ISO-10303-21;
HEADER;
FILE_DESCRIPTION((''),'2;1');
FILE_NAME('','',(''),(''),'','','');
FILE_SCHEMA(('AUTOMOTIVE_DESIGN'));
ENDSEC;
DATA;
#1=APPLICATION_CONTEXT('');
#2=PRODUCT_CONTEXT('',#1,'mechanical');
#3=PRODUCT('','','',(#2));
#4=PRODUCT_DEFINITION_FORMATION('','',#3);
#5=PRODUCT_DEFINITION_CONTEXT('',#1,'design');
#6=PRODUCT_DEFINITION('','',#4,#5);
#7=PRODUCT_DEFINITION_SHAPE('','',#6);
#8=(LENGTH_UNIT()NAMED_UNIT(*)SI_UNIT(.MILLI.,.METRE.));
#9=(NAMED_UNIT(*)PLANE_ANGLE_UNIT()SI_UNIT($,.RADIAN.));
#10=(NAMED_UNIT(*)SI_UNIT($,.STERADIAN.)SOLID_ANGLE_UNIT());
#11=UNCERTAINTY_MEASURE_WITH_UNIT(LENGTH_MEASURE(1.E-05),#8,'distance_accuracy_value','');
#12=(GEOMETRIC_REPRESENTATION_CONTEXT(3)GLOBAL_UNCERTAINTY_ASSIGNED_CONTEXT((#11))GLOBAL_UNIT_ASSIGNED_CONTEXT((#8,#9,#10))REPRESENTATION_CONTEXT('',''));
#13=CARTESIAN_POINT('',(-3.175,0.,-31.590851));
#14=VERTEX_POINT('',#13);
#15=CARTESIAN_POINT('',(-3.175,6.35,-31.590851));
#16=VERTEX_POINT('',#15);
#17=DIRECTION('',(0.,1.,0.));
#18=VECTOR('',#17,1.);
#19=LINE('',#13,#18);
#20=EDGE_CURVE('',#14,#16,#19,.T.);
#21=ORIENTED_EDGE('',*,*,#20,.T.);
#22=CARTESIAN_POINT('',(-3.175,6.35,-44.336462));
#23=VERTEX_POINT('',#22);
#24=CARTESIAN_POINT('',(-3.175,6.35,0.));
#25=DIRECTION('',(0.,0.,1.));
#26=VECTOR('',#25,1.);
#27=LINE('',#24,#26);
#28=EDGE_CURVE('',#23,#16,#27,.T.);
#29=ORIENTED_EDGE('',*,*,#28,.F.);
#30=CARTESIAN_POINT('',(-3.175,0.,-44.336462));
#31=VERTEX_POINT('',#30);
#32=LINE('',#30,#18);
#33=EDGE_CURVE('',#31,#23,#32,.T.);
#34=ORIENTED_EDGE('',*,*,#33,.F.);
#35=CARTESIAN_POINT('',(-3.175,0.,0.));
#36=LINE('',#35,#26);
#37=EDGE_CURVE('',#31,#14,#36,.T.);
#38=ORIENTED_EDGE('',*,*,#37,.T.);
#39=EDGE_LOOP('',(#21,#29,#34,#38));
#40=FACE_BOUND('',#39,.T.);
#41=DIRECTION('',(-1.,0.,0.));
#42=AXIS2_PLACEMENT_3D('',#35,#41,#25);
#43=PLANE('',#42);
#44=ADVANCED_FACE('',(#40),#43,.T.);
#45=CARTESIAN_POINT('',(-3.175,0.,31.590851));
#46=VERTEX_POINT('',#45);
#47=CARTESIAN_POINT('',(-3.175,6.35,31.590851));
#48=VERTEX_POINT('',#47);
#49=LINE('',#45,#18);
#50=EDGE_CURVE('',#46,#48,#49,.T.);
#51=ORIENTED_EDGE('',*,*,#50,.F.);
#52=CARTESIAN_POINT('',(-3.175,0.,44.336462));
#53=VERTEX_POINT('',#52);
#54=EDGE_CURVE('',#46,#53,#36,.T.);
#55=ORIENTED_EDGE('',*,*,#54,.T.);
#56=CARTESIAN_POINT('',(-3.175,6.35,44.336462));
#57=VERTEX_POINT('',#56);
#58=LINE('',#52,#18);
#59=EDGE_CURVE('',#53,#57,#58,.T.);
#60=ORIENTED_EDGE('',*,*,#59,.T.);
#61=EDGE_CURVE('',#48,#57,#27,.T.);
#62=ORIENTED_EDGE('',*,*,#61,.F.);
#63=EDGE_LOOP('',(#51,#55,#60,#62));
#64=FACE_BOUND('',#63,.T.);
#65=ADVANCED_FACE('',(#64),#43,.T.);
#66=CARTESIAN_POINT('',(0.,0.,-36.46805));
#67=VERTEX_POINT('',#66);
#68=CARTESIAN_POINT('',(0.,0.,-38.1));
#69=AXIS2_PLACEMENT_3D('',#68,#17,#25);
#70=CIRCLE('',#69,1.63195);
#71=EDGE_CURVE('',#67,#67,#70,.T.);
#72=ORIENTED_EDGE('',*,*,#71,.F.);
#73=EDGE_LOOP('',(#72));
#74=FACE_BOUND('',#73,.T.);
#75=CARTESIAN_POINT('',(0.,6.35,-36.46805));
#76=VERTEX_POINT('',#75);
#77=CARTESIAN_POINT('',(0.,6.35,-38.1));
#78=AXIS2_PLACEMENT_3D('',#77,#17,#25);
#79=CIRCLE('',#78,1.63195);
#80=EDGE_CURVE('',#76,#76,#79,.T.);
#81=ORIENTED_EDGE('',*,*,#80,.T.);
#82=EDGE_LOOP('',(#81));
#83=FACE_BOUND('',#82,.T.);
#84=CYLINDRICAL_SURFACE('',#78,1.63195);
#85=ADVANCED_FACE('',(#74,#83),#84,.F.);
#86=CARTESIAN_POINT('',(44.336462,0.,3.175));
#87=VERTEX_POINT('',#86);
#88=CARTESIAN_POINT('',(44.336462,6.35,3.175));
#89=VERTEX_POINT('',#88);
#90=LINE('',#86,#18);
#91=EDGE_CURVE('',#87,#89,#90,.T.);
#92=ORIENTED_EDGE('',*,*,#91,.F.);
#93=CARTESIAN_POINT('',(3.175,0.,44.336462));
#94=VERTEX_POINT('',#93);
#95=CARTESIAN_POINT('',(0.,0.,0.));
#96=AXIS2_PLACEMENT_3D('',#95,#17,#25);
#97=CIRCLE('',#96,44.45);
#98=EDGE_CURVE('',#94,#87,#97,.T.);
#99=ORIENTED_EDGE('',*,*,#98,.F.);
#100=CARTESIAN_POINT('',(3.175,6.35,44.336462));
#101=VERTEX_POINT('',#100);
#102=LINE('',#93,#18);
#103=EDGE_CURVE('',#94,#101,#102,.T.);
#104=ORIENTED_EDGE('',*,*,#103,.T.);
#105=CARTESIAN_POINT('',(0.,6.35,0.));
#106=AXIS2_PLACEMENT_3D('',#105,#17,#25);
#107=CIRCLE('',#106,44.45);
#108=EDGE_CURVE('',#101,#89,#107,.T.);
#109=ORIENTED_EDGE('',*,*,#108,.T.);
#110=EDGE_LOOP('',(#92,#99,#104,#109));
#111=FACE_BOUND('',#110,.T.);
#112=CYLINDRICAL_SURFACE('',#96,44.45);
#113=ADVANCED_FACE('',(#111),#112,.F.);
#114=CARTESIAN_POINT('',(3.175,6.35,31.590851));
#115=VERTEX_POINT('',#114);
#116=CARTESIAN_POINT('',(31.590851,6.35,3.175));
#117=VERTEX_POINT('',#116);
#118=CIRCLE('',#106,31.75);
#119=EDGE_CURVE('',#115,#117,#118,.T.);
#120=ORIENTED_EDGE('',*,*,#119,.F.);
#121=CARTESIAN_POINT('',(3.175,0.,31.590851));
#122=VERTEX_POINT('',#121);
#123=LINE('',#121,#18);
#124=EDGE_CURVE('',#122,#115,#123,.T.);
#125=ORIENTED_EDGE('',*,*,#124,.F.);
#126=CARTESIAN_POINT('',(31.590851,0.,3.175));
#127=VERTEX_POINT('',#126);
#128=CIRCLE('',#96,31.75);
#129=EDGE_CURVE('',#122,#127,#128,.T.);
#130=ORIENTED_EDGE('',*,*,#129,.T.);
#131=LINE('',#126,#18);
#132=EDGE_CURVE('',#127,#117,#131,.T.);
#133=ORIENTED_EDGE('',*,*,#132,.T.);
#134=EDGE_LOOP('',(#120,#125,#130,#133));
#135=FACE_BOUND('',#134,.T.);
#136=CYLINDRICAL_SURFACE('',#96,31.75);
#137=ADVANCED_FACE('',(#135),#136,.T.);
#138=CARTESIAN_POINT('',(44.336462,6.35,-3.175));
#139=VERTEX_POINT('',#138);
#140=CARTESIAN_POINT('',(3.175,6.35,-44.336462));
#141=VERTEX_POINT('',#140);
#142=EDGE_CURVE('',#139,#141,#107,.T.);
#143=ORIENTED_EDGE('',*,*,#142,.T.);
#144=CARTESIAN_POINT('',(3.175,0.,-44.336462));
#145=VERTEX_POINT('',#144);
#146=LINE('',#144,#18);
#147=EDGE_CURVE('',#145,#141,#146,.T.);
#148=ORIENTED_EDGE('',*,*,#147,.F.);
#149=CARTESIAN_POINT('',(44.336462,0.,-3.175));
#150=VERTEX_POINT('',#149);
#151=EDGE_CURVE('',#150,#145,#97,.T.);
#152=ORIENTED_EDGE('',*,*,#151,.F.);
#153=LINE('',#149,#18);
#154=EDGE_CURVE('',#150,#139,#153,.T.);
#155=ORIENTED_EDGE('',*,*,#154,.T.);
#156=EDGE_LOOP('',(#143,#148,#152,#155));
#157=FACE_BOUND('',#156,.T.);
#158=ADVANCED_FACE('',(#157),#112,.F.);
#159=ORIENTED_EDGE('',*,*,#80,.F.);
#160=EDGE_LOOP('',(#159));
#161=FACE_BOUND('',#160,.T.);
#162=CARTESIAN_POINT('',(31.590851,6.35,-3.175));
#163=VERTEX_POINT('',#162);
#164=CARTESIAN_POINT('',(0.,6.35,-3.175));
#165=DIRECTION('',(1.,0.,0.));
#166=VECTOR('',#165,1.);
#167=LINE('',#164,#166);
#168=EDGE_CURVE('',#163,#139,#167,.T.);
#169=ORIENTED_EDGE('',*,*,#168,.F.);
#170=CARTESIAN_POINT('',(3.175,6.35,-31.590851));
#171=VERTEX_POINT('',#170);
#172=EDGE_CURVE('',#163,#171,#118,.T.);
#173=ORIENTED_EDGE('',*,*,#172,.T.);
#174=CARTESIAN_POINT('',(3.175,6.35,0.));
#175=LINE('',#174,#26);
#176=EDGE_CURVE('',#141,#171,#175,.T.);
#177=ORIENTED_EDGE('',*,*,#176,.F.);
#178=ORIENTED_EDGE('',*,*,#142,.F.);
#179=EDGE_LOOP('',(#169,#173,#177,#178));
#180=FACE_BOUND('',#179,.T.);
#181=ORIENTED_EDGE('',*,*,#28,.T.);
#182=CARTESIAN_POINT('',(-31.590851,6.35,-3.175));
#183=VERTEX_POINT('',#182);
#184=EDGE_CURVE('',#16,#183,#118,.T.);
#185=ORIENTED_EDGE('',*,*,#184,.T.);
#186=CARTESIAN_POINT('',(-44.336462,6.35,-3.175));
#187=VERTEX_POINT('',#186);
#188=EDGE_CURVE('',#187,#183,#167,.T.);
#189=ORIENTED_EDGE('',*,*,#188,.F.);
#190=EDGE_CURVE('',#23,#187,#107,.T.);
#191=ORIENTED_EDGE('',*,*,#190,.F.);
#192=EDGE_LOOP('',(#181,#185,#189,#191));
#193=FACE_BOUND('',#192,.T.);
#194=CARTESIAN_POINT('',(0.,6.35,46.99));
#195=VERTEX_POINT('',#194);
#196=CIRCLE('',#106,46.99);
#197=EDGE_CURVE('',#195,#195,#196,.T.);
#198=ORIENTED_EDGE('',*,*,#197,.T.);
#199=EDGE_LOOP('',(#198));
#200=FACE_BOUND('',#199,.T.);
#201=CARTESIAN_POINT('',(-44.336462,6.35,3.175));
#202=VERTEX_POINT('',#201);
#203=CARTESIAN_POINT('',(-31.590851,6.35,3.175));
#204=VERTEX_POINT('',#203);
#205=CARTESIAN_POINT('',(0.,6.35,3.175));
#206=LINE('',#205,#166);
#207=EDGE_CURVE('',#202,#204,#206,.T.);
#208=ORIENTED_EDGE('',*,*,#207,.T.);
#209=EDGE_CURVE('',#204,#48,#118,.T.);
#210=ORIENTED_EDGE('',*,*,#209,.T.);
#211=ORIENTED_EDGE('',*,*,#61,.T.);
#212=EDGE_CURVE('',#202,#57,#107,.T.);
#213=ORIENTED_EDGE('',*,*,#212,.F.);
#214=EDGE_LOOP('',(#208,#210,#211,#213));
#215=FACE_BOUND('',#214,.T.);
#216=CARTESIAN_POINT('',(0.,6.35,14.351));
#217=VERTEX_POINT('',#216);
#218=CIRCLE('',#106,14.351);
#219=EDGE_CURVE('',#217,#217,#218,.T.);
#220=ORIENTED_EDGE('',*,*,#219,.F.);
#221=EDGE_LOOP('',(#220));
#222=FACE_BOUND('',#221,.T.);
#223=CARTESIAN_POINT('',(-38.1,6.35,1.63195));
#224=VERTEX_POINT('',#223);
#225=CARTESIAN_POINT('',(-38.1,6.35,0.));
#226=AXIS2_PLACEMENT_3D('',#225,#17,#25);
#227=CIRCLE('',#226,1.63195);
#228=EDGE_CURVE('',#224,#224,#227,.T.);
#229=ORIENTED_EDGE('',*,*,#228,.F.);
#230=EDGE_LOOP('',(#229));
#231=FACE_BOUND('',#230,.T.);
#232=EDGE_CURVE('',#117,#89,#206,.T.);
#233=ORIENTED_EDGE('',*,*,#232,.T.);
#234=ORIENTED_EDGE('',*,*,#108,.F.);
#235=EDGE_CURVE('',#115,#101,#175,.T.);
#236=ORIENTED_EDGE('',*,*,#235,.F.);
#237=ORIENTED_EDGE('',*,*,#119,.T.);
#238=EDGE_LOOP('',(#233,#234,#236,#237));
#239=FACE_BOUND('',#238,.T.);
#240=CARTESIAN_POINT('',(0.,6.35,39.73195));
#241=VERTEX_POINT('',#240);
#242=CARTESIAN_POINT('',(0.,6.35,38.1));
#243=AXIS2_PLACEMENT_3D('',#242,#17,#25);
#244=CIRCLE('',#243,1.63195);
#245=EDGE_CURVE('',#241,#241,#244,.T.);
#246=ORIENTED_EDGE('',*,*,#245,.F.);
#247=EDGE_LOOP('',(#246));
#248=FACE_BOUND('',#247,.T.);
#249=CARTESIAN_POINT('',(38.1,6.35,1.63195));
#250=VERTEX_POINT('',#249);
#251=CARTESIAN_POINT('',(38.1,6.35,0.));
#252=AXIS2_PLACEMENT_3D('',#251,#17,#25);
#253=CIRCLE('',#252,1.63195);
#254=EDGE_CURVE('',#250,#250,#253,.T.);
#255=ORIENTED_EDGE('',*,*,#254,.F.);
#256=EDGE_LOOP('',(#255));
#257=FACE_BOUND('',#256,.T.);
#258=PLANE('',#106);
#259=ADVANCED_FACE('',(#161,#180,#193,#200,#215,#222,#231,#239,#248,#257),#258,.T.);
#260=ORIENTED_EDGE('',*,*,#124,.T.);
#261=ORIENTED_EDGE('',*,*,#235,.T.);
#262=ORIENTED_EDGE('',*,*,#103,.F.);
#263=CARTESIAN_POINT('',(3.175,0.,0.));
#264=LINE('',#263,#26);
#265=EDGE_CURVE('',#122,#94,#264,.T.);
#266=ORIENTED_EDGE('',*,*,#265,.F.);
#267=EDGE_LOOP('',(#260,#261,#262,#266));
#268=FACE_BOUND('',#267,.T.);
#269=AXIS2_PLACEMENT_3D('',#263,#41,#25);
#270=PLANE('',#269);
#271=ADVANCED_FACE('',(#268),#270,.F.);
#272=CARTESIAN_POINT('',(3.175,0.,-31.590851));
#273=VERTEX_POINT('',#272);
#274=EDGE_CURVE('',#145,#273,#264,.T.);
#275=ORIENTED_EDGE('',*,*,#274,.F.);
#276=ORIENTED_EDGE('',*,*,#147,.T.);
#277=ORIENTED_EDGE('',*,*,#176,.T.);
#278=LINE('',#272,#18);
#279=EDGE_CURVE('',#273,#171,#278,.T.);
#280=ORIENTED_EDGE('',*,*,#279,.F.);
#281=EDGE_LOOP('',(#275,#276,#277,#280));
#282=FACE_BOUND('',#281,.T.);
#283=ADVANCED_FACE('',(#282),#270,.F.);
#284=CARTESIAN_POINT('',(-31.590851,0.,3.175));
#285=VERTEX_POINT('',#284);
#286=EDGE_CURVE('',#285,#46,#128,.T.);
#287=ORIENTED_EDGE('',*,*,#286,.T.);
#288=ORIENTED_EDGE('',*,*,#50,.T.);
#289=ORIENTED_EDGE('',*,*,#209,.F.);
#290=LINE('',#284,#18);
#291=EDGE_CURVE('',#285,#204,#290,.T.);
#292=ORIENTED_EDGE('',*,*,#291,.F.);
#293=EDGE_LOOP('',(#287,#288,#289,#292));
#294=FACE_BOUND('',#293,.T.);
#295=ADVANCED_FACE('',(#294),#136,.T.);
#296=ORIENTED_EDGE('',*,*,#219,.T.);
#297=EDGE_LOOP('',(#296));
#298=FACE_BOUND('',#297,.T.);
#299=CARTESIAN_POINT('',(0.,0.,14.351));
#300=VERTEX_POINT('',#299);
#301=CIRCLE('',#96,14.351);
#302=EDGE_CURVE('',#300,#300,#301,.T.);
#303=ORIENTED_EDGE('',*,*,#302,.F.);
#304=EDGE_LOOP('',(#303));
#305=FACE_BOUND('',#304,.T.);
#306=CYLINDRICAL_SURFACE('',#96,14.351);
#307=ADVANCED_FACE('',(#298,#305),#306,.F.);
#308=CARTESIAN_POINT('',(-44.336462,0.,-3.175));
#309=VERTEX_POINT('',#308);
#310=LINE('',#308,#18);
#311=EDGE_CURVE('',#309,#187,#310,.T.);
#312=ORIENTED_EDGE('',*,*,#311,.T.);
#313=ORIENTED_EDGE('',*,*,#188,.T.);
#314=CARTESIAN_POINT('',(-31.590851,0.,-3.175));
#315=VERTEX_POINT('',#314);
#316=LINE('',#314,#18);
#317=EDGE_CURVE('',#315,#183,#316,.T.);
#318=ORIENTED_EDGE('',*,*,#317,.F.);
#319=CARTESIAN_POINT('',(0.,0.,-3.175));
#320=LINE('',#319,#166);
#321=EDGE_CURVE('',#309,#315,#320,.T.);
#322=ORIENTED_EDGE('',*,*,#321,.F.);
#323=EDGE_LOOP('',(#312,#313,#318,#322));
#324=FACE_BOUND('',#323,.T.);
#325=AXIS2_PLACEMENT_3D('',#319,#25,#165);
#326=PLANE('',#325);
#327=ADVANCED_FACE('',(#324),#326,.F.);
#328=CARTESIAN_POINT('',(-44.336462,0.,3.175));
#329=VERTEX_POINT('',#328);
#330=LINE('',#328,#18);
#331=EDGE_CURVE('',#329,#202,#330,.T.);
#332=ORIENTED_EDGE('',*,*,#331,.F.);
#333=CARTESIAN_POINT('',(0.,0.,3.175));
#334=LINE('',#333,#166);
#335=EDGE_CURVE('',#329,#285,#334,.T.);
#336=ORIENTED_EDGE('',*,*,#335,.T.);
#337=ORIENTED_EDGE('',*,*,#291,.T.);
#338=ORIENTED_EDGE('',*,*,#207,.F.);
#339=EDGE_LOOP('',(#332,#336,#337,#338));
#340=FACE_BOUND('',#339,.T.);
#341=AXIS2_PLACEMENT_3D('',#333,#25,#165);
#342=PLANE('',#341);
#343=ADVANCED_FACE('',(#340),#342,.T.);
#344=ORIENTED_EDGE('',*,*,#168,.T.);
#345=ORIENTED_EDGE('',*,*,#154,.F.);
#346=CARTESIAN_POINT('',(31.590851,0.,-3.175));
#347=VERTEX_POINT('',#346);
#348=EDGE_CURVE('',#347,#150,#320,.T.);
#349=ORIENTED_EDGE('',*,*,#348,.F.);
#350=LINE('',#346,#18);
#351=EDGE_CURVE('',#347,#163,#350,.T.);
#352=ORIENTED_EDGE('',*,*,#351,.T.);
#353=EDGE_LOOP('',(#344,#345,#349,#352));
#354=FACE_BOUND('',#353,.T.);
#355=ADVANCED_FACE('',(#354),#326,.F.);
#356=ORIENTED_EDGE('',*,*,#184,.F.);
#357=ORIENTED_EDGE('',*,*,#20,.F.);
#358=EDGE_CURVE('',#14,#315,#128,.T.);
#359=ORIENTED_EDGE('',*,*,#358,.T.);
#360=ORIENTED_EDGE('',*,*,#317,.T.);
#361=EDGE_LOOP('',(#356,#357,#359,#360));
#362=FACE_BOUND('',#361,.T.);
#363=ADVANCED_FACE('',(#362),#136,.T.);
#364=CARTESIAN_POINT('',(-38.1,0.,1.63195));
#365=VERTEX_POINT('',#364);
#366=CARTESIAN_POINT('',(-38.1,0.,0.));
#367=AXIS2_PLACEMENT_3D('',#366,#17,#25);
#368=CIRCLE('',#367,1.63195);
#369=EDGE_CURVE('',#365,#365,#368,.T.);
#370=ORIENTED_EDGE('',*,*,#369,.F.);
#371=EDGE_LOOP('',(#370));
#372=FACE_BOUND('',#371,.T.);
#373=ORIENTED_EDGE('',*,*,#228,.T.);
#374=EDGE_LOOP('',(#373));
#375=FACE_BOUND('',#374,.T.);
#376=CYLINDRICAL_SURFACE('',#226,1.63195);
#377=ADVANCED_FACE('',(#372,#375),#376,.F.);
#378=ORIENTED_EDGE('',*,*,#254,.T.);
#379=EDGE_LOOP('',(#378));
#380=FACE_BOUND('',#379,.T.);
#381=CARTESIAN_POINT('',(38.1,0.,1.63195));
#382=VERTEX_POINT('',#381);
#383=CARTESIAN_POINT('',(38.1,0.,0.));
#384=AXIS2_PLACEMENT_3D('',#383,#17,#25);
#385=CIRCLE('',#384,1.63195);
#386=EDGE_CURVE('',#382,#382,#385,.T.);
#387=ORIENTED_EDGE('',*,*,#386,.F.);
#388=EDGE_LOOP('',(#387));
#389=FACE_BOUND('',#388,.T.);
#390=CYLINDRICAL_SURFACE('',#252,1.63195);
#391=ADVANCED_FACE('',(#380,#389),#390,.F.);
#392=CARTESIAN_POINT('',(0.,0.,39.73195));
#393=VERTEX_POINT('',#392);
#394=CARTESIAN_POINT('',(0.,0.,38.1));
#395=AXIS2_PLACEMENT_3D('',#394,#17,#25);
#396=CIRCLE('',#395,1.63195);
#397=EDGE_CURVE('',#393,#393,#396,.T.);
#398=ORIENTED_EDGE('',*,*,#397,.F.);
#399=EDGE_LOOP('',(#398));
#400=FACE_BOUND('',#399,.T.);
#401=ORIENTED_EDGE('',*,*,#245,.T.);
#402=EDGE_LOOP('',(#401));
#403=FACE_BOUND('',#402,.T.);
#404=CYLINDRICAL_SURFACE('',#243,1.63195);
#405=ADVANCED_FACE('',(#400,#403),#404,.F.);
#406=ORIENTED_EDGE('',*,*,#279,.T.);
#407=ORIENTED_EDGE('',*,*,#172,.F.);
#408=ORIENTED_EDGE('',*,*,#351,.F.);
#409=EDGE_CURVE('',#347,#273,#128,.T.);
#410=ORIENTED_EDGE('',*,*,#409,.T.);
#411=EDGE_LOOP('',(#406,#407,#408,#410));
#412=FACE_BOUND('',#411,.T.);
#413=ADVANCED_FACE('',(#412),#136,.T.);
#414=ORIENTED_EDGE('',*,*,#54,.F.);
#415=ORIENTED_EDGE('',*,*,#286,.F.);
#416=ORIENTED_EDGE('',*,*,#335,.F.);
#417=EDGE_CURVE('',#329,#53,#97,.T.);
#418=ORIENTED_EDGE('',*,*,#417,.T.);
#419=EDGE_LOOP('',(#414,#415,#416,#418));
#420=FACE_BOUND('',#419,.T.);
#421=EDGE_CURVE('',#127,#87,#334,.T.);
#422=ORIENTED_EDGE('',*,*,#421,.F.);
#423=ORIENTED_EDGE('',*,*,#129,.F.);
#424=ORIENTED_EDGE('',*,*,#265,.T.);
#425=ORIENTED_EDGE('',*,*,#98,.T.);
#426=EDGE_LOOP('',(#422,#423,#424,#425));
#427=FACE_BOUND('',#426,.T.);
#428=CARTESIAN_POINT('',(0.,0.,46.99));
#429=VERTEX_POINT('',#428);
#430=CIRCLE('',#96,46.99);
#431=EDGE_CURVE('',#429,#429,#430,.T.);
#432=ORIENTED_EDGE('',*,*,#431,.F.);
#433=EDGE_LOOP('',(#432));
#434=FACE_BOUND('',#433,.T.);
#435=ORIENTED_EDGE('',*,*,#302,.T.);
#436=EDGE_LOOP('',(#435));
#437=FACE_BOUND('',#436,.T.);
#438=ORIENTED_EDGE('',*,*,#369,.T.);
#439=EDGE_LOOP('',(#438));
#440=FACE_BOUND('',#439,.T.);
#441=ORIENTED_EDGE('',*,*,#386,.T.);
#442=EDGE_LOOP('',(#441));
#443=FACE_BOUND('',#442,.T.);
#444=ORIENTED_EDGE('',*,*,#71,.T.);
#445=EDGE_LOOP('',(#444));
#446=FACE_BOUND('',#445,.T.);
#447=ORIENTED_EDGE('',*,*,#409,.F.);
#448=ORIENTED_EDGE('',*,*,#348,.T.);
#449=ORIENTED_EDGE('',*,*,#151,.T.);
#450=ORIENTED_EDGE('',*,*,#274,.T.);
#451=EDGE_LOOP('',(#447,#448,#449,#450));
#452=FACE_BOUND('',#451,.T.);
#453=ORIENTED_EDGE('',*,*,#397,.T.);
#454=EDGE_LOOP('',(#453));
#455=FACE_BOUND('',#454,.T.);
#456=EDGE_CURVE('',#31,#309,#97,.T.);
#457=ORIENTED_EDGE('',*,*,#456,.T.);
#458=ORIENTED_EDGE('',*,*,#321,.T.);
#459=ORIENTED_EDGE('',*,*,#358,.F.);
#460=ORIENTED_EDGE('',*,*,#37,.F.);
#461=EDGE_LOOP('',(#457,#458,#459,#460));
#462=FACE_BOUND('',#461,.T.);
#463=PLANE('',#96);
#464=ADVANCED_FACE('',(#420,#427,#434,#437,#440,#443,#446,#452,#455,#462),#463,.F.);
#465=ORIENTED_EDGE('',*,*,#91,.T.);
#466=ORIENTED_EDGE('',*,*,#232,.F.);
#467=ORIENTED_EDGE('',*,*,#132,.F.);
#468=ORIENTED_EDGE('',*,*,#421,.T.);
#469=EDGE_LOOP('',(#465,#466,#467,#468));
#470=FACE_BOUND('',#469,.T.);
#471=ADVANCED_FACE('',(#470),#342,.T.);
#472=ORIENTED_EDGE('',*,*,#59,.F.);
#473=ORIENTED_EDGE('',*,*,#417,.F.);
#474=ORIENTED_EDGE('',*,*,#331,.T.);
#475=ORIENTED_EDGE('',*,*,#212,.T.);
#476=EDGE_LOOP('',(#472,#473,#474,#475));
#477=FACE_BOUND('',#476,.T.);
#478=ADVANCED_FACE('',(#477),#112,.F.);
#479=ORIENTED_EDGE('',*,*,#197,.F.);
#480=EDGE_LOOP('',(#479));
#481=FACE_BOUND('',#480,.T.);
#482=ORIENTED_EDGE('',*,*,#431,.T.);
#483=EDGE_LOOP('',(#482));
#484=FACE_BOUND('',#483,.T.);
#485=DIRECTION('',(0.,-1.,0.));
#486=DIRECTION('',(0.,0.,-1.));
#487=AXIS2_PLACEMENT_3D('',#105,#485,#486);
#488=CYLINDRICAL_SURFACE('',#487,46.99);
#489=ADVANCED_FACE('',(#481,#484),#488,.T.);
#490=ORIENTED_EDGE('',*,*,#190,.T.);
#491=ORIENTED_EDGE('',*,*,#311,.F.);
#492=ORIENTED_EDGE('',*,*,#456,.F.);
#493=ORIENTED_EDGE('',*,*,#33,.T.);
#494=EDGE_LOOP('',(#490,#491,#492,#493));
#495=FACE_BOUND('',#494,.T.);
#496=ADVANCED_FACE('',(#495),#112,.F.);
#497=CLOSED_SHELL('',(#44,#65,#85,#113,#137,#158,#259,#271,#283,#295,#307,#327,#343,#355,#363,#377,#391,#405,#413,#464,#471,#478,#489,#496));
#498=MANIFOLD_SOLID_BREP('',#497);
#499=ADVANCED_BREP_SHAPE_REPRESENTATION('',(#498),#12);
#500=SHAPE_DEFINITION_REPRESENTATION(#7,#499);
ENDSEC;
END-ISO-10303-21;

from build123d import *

# Parameters (mm, degrees)
SKETCH1_R           = 46.99
BOSS_EXTRUDE1_DEPTH = 6.35
SKETCH2_R           = 14.351
CUT_EXTRUDE1_DEPTH  = 6.35
CUT_EXTRUDE2_DEPTH  = 6.35
CIRPATTERN1_COUNT   = 4


with BuildPart() as part:
    # Sketch1 → Boss-Extrude1 (new body)
    with BuildSketch(Plane(origin=(0, 0, 0), x_dir=(1, 0, 0), z_dir=(0, 1, 0))):
        Circle(SKETCH1_R)
    extrude(amount=BOSS_EXTRUDE1_DEPTH)

    # Sketch2 → Cut-Extrude1 (cut)
    with BuildSketch(Plane(origin=(0, 6.35, 0), x_dir=(1, 0, 0), z_dir=(0, 1, 0))):
        Circle(SKETCH2_R)
    extrude(amount=-CUT_EXTRUDE1_DEPTH, mode=Mode.SUBTRACT)

    # Sketch3 → Cut-Extrude2 (cut)
    with BuildSketch(Plane(origin=(0, 6.35, 0), x_dir=(1, 0, 0), z_dir=(0, 1, 0))):
        with BuildLine():
            Line((-3.175, 31.590851128), (-3.175, 44.336462139))
            ThreePointArc((-3.175, 44.336462139), (-31.430896424, 31.430896424), (-44.336462139, 3.175))
            Line((-44.336462139, 3.175), (-31.590851128, 3.175))
            ThreePointArc((-31.590851128, 3.175), (-22.450640303, 22.450640303), (-3.175, 31.590851128))
        make_face()
        with BuildLine():
            ThreePointArc((44.336462139, 3.175), (31.430896424, 31.430896424), (3.175, 44.336462139))
            Line((3.175, 44.336462139), (3.175, 31.590851128))
            ThreePointArc((3.175, 31.590851128), (22.450640303, 22.450640303), (31.590851128, 3.175))
            Line((31.590851128, 3.175), (44.336462139, 3.175))
        make_face()
        with BuildLine():
            Line((-31.590851128, -3.175), (-44.336462139, -3.175))
            ThreePointArc((-44.336462139, -3.175), (-31.430896424, -31.430896424), (-3.175, -44.336462139))
            Line((-3.175, -44.336462139), (-3.175, -31.590851128))
            ThreePointArc((-3.175, -31.590851128), (-22.450640303, -22.450640303), (-31.590851128, -3.175))
        make_face()
        with BuildLine():
            ThreePointArc((3.175, -44.336462139), (31.430896424, -31.430896424), (44.336462139, -3.175))
            Line((44.336462139, -3.175), (31.590851128, -3.175))
            ThreePointArc((31.590851128, -3.175), (22.450640303, -22.450640303), (3.175, -31.590851128))
            Line((3.175, -31.590851128), (3.175, -44.336462139))
        make_face()
    extrude(amount=-CUT_EXTRUDE2_DEPTH, mode=Mode.SUBTRACT)

    # Sketch4 → #4 Clearance Hole1 (revolve, cut)
    with BuildSketch(Plane(origin=(0, 6.35, -38.1), x_dir=(0, 0, 1), z_dir=(1, 0, 0))):
        Polygon((0, 0), (0, 11.140574487), (1.63195, 10.16), (1.63195, 0), align=None)
    f_4_clearance_hole1 = revolve(axis=Axis((0, 12.7, -38.1), (0, -1, 0)), mode=Mode.SUBTRACT)

    # CirPattern1: #4 Clearance Hole1 ×4 about axis
    cirpattern1_axis = Axis((0, 6.35, 0), (0, 1, 0))
    for i in range(1, CIRPATTERN1_COUNT):
        add(f_4_clearance_hole1.rotate(cirpattern1_axis, i * 360 / CIRPATTERN1_COUNT), mode=Mode.SUBTRACT)


solid = part.part
